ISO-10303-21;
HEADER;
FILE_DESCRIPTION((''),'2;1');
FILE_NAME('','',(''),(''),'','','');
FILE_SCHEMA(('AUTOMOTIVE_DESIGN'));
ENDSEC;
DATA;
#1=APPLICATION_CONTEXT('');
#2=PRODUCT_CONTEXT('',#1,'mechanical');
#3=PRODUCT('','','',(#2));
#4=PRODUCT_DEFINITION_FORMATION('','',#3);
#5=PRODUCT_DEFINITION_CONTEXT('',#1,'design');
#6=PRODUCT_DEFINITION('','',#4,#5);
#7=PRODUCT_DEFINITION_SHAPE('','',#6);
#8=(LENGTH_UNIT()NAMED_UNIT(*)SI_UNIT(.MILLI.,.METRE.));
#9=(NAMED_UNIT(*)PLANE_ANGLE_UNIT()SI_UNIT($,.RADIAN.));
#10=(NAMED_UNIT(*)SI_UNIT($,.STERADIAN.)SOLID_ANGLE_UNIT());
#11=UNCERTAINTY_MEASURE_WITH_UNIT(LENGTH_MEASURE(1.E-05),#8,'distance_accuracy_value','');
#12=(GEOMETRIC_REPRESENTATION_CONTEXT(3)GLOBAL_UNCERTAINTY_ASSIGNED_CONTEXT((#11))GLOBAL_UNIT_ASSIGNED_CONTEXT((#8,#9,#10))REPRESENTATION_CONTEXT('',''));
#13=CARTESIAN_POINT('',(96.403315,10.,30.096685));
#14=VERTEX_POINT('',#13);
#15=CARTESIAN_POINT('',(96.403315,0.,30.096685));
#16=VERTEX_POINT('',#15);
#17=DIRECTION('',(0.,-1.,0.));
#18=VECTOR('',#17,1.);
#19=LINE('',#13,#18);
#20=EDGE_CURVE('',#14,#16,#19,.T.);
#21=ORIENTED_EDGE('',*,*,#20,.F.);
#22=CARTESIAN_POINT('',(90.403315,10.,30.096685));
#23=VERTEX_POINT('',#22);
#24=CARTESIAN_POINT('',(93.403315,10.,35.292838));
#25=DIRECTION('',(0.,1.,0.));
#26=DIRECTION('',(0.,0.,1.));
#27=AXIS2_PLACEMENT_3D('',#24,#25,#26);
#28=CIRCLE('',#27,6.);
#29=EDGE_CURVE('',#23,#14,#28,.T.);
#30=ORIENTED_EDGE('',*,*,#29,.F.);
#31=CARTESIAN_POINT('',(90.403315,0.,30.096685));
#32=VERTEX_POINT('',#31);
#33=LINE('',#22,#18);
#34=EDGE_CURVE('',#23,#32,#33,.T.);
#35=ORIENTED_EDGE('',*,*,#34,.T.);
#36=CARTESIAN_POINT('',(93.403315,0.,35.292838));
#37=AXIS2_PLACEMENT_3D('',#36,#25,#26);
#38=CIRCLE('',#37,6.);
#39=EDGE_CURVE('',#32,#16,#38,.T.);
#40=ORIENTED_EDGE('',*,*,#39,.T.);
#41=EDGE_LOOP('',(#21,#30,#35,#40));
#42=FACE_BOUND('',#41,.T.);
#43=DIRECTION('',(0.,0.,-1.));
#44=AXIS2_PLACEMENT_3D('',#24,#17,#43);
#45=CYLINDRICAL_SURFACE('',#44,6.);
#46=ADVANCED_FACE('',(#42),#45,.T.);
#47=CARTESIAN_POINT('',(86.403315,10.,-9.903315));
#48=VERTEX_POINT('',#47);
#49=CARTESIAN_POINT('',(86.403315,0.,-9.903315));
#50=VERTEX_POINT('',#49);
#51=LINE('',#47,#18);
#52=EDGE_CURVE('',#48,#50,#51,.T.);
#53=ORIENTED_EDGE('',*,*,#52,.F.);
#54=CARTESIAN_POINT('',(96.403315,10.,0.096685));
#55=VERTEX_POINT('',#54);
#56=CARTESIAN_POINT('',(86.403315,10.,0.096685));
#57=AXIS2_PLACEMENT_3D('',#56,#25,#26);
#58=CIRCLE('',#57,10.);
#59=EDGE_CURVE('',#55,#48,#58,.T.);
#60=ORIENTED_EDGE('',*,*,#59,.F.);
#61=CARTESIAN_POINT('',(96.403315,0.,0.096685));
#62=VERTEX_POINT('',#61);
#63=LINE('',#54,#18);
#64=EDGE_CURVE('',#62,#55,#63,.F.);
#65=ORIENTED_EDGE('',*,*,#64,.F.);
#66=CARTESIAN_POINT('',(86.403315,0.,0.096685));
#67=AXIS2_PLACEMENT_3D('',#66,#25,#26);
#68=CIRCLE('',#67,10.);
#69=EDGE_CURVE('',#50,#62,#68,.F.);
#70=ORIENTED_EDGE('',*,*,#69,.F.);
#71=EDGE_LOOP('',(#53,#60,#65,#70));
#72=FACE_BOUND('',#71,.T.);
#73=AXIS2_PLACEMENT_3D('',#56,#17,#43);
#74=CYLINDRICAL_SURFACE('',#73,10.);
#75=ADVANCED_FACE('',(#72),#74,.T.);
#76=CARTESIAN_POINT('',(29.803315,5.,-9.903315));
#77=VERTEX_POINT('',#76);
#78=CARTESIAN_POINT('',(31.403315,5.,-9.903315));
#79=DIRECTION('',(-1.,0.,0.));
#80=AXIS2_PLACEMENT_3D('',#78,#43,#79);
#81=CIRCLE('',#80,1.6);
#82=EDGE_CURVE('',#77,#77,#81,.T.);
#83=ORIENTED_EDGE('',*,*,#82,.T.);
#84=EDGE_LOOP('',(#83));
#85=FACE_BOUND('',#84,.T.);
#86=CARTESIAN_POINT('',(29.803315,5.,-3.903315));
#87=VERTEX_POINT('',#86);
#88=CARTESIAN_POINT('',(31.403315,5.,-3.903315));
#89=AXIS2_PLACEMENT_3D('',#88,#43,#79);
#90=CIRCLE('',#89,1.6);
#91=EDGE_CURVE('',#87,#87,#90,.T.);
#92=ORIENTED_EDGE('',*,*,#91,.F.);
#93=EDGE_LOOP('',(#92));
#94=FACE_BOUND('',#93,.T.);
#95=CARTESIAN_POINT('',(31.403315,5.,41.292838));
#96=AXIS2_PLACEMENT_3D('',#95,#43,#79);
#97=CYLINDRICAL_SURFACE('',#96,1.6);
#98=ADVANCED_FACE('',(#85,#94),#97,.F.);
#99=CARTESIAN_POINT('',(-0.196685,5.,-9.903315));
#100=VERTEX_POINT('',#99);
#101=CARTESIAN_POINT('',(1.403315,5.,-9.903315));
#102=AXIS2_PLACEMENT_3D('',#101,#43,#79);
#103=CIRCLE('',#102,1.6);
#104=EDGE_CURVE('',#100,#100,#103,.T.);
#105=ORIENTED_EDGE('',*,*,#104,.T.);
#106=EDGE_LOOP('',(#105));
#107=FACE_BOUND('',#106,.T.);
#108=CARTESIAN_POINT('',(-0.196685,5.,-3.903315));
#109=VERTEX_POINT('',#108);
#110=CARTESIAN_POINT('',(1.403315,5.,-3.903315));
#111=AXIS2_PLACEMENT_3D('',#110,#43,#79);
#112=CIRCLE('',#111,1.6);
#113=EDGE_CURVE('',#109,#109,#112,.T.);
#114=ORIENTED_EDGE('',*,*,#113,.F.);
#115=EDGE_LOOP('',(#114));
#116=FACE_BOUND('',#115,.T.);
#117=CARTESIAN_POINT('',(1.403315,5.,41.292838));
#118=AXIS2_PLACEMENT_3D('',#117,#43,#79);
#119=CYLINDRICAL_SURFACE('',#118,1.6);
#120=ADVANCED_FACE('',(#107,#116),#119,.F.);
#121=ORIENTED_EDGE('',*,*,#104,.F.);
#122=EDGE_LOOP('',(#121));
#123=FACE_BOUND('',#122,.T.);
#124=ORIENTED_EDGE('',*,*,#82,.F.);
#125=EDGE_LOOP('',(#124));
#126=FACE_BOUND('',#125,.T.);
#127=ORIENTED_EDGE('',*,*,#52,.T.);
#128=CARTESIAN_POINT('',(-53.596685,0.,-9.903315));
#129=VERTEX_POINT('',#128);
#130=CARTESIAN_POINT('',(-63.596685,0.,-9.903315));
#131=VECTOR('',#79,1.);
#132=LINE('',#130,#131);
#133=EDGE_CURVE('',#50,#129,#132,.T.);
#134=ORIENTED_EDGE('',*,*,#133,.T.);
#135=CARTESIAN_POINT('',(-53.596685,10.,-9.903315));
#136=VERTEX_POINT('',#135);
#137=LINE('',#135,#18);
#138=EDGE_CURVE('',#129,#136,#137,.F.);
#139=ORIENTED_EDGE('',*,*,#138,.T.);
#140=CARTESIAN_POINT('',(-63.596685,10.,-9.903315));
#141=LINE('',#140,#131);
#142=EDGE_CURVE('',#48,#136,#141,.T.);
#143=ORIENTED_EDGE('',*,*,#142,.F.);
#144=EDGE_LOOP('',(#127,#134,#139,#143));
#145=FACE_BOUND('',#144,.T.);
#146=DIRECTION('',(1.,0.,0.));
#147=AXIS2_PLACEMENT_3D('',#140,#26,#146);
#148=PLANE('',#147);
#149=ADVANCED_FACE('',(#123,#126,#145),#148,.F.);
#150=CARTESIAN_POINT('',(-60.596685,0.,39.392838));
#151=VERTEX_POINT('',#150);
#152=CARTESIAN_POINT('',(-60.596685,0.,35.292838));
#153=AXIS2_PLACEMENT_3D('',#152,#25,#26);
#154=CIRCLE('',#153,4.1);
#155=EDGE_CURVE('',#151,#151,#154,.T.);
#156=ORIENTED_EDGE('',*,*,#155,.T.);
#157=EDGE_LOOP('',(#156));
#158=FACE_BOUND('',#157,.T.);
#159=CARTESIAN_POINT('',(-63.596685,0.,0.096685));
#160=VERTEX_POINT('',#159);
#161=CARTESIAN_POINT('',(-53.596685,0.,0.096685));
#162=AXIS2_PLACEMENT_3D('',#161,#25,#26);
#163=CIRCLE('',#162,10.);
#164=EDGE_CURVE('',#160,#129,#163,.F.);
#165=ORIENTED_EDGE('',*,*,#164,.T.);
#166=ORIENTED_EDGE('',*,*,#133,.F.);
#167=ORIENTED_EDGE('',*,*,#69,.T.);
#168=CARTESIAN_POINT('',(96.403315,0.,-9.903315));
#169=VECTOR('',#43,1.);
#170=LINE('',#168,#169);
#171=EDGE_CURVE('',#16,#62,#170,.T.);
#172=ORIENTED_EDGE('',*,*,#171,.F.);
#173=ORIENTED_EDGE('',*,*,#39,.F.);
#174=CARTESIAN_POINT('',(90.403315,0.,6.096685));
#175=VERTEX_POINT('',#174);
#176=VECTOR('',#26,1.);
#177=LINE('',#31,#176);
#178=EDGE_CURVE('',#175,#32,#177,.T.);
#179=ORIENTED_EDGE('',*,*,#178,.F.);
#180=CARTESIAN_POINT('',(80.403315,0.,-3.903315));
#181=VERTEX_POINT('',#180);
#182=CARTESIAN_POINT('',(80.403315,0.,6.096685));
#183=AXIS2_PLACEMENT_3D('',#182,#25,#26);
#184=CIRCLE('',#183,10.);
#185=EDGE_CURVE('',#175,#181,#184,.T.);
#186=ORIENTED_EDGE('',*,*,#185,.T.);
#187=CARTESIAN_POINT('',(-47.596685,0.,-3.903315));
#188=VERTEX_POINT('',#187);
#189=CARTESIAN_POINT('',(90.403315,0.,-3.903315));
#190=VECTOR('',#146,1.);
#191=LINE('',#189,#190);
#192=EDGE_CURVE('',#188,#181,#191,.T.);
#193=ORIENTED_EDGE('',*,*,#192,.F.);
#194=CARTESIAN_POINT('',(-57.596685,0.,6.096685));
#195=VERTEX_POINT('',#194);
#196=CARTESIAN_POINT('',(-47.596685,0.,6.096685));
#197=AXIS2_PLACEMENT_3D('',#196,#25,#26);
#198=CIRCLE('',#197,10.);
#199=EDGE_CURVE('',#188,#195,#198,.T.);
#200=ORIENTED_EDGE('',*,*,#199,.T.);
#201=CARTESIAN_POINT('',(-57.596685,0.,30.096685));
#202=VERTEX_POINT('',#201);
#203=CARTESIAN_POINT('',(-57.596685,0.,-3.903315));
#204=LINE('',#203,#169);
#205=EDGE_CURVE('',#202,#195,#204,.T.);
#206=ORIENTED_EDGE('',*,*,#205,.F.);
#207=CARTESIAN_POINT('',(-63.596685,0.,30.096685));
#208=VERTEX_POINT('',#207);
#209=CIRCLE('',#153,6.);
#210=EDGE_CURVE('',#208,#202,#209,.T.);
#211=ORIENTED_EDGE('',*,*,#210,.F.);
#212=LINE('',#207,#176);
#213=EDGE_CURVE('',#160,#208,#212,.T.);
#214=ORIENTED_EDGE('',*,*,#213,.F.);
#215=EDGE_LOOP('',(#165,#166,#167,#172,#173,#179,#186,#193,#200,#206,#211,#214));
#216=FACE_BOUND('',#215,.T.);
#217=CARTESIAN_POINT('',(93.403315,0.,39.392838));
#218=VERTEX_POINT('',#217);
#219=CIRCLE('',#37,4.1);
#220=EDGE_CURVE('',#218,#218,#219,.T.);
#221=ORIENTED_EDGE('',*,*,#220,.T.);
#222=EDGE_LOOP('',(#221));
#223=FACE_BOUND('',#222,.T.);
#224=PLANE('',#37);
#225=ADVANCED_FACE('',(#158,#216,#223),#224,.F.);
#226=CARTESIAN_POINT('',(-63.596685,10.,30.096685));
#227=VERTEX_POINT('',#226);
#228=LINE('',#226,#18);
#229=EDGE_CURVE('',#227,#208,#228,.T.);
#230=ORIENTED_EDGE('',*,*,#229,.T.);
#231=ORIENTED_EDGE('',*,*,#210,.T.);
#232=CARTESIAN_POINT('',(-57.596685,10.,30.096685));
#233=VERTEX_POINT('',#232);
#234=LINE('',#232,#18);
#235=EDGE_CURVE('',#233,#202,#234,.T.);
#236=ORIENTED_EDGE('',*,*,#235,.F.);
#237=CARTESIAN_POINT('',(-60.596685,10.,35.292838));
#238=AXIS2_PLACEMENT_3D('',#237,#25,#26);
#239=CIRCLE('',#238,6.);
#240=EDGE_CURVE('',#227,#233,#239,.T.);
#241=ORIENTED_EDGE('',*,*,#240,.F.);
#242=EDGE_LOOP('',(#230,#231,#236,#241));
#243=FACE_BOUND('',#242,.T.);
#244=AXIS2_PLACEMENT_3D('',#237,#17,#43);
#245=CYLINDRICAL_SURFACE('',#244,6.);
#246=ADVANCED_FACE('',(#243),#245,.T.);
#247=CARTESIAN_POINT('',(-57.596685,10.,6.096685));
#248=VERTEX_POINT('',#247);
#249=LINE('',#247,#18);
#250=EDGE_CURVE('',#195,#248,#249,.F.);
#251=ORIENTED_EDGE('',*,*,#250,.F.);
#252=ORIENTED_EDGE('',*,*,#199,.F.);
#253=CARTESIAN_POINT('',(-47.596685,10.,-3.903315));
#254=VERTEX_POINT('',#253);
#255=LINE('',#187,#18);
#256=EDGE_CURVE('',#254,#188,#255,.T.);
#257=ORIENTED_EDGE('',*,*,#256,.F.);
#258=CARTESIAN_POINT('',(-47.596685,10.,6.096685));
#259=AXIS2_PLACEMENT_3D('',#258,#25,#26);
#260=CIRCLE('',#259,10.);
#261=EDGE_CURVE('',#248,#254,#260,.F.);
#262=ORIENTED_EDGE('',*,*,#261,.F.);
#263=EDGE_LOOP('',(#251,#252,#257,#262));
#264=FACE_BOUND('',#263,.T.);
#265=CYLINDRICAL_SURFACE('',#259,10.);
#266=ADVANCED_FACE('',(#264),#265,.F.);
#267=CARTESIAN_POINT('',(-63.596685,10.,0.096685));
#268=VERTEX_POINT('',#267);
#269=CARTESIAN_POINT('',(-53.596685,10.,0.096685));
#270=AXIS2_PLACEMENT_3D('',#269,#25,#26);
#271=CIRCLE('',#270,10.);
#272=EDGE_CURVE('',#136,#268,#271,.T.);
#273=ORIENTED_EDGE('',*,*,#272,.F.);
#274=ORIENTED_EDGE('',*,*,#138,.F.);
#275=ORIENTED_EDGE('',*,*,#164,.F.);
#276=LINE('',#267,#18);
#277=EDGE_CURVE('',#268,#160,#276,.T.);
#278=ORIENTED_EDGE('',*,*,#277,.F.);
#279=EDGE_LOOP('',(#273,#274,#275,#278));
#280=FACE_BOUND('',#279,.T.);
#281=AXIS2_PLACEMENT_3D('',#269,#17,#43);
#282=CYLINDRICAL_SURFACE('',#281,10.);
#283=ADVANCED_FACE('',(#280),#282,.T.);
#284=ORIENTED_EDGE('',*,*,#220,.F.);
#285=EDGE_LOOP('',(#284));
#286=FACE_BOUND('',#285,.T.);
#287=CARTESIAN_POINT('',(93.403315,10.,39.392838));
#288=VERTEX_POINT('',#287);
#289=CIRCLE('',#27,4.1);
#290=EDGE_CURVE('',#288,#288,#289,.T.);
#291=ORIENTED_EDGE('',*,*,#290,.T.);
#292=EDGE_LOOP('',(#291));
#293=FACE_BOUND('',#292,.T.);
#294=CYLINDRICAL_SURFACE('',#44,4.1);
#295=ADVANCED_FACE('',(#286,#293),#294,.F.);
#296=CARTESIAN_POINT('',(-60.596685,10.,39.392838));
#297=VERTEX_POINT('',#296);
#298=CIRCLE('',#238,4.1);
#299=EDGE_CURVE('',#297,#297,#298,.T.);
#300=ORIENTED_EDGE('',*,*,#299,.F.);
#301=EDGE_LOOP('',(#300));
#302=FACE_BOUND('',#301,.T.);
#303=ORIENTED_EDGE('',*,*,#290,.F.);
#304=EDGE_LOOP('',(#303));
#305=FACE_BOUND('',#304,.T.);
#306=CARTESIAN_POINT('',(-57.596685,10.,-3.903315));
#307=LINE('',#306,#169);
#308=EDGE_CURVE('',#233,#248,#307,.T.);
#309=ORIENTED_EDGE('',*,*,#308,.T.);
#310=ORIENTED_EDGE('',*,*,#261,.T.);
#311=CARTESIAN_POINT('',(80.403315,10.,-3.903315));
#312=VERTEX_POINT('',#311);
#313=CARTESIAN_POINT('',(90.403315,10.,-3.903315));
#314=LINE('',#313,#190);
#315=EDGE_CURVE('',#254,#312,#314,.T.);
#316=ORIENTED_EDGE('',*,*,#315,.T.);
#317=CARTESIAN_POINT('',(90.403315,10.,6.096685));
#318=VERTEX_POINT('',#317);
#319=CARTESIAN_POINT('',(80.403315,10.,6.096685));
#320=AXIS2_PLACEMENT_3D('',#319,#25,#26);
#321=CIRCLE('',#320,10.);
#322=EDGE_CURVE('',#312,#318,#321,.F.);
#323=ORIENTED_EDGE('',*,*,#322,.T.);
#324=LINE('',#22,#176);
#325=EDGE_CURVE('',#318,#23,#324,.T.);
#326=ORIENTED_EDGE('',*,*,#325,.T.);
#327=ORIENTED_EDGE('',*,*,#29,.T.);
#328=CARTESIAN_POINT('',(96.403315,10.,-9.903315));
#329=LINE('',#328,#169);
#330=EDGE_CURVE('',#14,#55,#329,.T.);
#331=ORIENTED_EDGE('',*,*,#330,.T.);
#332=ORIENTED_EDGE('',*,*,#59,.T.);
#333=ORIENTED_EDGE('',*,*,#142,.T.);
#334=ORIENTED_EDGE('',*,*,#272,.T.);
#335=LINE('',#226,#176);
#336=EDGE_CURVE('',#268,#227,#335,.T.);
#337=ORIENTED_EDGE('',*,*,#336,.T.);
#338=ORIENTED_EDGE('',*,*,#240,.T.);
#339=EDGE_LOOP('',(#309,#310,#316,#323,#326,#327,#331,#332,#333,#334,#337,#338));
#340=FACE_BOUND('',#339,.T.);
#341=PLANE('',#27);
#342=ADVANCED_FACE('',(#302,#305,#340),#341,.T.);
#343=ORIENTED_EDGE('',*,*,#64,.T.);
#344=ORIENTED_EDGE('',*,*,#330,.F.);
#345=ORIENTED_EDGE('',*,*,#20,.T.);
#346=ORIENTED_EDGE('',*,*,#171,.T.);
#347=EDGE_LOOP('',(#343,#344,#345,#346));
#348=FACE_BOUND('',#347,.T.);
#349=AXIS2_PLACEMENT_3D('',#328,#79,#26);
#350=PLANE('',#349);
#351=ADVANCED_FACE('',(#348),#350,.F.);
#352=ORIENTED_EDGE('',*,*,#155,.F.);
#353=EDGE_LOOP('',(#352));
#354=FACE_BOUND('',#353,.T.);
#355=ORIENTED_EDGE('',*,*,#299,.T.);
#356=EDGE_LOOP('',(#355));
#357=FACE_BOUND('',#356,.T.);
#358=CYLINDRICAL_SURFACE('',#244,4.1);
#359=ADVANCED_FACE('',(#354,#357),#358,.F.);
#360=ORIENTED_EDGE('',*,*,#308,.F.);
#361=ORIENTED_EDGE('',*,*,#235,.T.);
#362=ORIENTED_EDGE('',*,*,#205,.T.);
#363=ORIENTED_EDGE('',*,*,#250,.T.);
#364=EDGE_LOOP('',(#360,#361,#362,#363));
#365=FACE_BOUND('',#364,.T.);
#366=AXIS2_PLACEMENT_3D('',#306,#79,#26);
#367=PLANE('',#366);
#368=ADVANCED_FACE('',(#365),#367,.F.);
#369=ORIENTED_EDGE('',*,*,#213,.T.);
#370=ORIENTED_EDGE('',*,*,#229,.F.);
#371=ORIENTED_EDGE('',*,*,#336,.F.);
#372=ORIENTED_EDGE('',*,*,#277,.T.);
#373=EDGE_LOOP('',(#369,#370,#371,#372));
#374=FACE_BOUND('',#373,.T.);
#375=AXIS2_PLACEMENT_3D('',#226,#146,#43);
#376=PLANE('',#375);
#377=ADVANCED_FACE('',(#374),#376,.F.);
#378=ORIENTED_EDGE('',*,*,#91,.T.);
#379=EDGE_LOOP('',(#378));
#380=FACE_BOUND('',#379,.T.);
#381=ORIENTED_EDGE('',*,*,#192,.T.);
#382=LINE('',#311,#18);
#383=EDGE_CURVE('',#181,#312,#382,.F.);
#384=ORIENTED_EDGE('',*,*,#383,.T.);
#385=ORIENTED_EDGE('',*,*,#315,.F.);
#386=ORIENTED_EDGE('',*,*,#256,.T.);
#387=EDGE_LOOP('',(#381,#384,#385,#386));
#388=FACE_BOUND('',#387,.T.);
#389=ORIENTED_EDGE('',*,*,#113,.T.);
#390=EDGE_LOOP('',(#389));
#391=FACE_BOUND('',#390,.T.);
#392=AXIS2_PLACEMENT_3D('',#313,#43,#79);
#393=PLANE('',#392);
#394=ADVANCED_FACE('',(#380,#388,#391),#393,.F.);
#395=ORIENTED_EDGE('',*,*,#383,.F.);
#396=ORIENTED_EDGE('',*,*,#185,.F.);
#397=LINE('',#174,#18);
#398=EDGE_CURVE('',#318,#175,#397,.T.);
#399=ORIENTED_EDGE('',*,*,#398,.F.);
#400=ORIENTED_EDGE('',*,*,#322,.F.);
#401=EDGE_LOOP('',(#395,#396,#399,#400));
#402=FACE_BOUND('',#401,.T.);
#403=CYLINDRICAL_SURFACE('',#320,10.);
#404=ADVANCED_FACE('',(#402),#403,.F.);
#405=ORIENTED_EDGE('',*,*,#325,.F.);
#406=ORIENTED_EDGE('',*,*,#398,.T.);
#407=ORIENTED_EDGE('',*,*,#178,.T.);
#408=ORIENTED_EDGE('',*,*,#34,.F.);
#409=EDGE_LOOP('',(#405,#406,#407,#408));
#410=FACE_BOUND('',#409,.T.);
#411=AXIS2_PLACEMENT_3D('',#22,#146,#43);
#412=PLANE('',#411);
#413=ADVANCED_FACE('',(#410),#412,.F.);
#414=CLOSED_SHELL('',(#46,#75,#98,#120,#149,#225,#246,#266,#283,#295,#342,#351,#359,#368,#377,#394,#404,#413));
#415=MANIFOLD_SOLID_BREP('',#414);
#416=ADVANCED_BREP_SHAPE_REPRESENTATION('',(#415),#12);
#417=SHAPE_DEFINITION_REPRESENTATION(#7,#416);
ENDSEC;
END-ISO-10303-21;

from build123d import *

# Parameters (mm, degrees)
SKETCH_1_R          = 4.1
EXTRUDE_1_DEPTH     = 10
SKETCH_3_R          = 1.6
CUT_EXTRUDE_1_DEPTH = 52.196152423
FILLET_1_R          = 10


with BuildPart() as part:
    # Эскиз1 → Бобышка-Вытянуть1 (new body)
    with BuildSketch(Plane(origin=(0, 0, 0), x_dir=(1, 0, 0), z_dir=(0, 1, 0))):
        with BuildLine():
            Line((-63.596685083, 9.903314917), (96.403314917, 9.903314917))
            Line((96.403314917, 9.903314917), (96.403314917, -30.096685083))
            ThreePointArc((96.403314917, -30.096685083), (93.403314917, -41.292837506), (90.403314917, -30.096685083))
            Line((90.403314917, -30.096685083), (90.403314917, 3.903314917))
            Line((90.403314917, 3.903314917), (-57.596685083, 3.903314917))
            Line((-57.596685083, 3.903314917), (-57.596685083, -30.096685083))
            ThreePointArc((-57.596685083, -30.096685083), (-60.596685083, -41.292837506), (-63.596685083, -30.096685083))
            Line((-63.596685083, -30.096685083), (-63.596685083, 9.903314917))
        make_face()
        with Locations((-60.596685083, -35.292837506)):
            Circle(SKETCH_1_R, mode=Mode.SUBTRACT)
        with Locations((93.403314917, -35.292837506)):
            Circle(SKETCH_1_R, mode=Mode.SUBTRACT)
    extrude(amount=EXTRUDE_1_DEPTH)

    # Эскиз3 → Вырез-Вытянуть1 (cut, through all)
    with BuildSketch(Plane(origin=(0, 0, -9.903314917), x_dir=(-1, 0, 0), z_dir=(0, 0, -1))):
        with Locations((-1.403314917, 5)):
            Circle(SKETCH_3_R)
        with Locations((-31.403314917, 5)):
            Circle(SKETCH_3_R)
    extrude(amount=-CUT_EXTRUDE_1_DEPTH, mode=Mode.SUBTRACT)

    # Скругление1
    fillet_1_edges = [part.edges().sort_by_distance(p)[0] for p in [
        (-63.596685083, 5, -9.903314917),
        (96.403314917, 5, -9.903314917),
        (90.403314917, 5, -3.903314917),
        (-57.596685083, 5, -3.903314917),
    ]]
    fillet(fillet_1_edges, radius=FILLET_1_R)


solid = part.part
